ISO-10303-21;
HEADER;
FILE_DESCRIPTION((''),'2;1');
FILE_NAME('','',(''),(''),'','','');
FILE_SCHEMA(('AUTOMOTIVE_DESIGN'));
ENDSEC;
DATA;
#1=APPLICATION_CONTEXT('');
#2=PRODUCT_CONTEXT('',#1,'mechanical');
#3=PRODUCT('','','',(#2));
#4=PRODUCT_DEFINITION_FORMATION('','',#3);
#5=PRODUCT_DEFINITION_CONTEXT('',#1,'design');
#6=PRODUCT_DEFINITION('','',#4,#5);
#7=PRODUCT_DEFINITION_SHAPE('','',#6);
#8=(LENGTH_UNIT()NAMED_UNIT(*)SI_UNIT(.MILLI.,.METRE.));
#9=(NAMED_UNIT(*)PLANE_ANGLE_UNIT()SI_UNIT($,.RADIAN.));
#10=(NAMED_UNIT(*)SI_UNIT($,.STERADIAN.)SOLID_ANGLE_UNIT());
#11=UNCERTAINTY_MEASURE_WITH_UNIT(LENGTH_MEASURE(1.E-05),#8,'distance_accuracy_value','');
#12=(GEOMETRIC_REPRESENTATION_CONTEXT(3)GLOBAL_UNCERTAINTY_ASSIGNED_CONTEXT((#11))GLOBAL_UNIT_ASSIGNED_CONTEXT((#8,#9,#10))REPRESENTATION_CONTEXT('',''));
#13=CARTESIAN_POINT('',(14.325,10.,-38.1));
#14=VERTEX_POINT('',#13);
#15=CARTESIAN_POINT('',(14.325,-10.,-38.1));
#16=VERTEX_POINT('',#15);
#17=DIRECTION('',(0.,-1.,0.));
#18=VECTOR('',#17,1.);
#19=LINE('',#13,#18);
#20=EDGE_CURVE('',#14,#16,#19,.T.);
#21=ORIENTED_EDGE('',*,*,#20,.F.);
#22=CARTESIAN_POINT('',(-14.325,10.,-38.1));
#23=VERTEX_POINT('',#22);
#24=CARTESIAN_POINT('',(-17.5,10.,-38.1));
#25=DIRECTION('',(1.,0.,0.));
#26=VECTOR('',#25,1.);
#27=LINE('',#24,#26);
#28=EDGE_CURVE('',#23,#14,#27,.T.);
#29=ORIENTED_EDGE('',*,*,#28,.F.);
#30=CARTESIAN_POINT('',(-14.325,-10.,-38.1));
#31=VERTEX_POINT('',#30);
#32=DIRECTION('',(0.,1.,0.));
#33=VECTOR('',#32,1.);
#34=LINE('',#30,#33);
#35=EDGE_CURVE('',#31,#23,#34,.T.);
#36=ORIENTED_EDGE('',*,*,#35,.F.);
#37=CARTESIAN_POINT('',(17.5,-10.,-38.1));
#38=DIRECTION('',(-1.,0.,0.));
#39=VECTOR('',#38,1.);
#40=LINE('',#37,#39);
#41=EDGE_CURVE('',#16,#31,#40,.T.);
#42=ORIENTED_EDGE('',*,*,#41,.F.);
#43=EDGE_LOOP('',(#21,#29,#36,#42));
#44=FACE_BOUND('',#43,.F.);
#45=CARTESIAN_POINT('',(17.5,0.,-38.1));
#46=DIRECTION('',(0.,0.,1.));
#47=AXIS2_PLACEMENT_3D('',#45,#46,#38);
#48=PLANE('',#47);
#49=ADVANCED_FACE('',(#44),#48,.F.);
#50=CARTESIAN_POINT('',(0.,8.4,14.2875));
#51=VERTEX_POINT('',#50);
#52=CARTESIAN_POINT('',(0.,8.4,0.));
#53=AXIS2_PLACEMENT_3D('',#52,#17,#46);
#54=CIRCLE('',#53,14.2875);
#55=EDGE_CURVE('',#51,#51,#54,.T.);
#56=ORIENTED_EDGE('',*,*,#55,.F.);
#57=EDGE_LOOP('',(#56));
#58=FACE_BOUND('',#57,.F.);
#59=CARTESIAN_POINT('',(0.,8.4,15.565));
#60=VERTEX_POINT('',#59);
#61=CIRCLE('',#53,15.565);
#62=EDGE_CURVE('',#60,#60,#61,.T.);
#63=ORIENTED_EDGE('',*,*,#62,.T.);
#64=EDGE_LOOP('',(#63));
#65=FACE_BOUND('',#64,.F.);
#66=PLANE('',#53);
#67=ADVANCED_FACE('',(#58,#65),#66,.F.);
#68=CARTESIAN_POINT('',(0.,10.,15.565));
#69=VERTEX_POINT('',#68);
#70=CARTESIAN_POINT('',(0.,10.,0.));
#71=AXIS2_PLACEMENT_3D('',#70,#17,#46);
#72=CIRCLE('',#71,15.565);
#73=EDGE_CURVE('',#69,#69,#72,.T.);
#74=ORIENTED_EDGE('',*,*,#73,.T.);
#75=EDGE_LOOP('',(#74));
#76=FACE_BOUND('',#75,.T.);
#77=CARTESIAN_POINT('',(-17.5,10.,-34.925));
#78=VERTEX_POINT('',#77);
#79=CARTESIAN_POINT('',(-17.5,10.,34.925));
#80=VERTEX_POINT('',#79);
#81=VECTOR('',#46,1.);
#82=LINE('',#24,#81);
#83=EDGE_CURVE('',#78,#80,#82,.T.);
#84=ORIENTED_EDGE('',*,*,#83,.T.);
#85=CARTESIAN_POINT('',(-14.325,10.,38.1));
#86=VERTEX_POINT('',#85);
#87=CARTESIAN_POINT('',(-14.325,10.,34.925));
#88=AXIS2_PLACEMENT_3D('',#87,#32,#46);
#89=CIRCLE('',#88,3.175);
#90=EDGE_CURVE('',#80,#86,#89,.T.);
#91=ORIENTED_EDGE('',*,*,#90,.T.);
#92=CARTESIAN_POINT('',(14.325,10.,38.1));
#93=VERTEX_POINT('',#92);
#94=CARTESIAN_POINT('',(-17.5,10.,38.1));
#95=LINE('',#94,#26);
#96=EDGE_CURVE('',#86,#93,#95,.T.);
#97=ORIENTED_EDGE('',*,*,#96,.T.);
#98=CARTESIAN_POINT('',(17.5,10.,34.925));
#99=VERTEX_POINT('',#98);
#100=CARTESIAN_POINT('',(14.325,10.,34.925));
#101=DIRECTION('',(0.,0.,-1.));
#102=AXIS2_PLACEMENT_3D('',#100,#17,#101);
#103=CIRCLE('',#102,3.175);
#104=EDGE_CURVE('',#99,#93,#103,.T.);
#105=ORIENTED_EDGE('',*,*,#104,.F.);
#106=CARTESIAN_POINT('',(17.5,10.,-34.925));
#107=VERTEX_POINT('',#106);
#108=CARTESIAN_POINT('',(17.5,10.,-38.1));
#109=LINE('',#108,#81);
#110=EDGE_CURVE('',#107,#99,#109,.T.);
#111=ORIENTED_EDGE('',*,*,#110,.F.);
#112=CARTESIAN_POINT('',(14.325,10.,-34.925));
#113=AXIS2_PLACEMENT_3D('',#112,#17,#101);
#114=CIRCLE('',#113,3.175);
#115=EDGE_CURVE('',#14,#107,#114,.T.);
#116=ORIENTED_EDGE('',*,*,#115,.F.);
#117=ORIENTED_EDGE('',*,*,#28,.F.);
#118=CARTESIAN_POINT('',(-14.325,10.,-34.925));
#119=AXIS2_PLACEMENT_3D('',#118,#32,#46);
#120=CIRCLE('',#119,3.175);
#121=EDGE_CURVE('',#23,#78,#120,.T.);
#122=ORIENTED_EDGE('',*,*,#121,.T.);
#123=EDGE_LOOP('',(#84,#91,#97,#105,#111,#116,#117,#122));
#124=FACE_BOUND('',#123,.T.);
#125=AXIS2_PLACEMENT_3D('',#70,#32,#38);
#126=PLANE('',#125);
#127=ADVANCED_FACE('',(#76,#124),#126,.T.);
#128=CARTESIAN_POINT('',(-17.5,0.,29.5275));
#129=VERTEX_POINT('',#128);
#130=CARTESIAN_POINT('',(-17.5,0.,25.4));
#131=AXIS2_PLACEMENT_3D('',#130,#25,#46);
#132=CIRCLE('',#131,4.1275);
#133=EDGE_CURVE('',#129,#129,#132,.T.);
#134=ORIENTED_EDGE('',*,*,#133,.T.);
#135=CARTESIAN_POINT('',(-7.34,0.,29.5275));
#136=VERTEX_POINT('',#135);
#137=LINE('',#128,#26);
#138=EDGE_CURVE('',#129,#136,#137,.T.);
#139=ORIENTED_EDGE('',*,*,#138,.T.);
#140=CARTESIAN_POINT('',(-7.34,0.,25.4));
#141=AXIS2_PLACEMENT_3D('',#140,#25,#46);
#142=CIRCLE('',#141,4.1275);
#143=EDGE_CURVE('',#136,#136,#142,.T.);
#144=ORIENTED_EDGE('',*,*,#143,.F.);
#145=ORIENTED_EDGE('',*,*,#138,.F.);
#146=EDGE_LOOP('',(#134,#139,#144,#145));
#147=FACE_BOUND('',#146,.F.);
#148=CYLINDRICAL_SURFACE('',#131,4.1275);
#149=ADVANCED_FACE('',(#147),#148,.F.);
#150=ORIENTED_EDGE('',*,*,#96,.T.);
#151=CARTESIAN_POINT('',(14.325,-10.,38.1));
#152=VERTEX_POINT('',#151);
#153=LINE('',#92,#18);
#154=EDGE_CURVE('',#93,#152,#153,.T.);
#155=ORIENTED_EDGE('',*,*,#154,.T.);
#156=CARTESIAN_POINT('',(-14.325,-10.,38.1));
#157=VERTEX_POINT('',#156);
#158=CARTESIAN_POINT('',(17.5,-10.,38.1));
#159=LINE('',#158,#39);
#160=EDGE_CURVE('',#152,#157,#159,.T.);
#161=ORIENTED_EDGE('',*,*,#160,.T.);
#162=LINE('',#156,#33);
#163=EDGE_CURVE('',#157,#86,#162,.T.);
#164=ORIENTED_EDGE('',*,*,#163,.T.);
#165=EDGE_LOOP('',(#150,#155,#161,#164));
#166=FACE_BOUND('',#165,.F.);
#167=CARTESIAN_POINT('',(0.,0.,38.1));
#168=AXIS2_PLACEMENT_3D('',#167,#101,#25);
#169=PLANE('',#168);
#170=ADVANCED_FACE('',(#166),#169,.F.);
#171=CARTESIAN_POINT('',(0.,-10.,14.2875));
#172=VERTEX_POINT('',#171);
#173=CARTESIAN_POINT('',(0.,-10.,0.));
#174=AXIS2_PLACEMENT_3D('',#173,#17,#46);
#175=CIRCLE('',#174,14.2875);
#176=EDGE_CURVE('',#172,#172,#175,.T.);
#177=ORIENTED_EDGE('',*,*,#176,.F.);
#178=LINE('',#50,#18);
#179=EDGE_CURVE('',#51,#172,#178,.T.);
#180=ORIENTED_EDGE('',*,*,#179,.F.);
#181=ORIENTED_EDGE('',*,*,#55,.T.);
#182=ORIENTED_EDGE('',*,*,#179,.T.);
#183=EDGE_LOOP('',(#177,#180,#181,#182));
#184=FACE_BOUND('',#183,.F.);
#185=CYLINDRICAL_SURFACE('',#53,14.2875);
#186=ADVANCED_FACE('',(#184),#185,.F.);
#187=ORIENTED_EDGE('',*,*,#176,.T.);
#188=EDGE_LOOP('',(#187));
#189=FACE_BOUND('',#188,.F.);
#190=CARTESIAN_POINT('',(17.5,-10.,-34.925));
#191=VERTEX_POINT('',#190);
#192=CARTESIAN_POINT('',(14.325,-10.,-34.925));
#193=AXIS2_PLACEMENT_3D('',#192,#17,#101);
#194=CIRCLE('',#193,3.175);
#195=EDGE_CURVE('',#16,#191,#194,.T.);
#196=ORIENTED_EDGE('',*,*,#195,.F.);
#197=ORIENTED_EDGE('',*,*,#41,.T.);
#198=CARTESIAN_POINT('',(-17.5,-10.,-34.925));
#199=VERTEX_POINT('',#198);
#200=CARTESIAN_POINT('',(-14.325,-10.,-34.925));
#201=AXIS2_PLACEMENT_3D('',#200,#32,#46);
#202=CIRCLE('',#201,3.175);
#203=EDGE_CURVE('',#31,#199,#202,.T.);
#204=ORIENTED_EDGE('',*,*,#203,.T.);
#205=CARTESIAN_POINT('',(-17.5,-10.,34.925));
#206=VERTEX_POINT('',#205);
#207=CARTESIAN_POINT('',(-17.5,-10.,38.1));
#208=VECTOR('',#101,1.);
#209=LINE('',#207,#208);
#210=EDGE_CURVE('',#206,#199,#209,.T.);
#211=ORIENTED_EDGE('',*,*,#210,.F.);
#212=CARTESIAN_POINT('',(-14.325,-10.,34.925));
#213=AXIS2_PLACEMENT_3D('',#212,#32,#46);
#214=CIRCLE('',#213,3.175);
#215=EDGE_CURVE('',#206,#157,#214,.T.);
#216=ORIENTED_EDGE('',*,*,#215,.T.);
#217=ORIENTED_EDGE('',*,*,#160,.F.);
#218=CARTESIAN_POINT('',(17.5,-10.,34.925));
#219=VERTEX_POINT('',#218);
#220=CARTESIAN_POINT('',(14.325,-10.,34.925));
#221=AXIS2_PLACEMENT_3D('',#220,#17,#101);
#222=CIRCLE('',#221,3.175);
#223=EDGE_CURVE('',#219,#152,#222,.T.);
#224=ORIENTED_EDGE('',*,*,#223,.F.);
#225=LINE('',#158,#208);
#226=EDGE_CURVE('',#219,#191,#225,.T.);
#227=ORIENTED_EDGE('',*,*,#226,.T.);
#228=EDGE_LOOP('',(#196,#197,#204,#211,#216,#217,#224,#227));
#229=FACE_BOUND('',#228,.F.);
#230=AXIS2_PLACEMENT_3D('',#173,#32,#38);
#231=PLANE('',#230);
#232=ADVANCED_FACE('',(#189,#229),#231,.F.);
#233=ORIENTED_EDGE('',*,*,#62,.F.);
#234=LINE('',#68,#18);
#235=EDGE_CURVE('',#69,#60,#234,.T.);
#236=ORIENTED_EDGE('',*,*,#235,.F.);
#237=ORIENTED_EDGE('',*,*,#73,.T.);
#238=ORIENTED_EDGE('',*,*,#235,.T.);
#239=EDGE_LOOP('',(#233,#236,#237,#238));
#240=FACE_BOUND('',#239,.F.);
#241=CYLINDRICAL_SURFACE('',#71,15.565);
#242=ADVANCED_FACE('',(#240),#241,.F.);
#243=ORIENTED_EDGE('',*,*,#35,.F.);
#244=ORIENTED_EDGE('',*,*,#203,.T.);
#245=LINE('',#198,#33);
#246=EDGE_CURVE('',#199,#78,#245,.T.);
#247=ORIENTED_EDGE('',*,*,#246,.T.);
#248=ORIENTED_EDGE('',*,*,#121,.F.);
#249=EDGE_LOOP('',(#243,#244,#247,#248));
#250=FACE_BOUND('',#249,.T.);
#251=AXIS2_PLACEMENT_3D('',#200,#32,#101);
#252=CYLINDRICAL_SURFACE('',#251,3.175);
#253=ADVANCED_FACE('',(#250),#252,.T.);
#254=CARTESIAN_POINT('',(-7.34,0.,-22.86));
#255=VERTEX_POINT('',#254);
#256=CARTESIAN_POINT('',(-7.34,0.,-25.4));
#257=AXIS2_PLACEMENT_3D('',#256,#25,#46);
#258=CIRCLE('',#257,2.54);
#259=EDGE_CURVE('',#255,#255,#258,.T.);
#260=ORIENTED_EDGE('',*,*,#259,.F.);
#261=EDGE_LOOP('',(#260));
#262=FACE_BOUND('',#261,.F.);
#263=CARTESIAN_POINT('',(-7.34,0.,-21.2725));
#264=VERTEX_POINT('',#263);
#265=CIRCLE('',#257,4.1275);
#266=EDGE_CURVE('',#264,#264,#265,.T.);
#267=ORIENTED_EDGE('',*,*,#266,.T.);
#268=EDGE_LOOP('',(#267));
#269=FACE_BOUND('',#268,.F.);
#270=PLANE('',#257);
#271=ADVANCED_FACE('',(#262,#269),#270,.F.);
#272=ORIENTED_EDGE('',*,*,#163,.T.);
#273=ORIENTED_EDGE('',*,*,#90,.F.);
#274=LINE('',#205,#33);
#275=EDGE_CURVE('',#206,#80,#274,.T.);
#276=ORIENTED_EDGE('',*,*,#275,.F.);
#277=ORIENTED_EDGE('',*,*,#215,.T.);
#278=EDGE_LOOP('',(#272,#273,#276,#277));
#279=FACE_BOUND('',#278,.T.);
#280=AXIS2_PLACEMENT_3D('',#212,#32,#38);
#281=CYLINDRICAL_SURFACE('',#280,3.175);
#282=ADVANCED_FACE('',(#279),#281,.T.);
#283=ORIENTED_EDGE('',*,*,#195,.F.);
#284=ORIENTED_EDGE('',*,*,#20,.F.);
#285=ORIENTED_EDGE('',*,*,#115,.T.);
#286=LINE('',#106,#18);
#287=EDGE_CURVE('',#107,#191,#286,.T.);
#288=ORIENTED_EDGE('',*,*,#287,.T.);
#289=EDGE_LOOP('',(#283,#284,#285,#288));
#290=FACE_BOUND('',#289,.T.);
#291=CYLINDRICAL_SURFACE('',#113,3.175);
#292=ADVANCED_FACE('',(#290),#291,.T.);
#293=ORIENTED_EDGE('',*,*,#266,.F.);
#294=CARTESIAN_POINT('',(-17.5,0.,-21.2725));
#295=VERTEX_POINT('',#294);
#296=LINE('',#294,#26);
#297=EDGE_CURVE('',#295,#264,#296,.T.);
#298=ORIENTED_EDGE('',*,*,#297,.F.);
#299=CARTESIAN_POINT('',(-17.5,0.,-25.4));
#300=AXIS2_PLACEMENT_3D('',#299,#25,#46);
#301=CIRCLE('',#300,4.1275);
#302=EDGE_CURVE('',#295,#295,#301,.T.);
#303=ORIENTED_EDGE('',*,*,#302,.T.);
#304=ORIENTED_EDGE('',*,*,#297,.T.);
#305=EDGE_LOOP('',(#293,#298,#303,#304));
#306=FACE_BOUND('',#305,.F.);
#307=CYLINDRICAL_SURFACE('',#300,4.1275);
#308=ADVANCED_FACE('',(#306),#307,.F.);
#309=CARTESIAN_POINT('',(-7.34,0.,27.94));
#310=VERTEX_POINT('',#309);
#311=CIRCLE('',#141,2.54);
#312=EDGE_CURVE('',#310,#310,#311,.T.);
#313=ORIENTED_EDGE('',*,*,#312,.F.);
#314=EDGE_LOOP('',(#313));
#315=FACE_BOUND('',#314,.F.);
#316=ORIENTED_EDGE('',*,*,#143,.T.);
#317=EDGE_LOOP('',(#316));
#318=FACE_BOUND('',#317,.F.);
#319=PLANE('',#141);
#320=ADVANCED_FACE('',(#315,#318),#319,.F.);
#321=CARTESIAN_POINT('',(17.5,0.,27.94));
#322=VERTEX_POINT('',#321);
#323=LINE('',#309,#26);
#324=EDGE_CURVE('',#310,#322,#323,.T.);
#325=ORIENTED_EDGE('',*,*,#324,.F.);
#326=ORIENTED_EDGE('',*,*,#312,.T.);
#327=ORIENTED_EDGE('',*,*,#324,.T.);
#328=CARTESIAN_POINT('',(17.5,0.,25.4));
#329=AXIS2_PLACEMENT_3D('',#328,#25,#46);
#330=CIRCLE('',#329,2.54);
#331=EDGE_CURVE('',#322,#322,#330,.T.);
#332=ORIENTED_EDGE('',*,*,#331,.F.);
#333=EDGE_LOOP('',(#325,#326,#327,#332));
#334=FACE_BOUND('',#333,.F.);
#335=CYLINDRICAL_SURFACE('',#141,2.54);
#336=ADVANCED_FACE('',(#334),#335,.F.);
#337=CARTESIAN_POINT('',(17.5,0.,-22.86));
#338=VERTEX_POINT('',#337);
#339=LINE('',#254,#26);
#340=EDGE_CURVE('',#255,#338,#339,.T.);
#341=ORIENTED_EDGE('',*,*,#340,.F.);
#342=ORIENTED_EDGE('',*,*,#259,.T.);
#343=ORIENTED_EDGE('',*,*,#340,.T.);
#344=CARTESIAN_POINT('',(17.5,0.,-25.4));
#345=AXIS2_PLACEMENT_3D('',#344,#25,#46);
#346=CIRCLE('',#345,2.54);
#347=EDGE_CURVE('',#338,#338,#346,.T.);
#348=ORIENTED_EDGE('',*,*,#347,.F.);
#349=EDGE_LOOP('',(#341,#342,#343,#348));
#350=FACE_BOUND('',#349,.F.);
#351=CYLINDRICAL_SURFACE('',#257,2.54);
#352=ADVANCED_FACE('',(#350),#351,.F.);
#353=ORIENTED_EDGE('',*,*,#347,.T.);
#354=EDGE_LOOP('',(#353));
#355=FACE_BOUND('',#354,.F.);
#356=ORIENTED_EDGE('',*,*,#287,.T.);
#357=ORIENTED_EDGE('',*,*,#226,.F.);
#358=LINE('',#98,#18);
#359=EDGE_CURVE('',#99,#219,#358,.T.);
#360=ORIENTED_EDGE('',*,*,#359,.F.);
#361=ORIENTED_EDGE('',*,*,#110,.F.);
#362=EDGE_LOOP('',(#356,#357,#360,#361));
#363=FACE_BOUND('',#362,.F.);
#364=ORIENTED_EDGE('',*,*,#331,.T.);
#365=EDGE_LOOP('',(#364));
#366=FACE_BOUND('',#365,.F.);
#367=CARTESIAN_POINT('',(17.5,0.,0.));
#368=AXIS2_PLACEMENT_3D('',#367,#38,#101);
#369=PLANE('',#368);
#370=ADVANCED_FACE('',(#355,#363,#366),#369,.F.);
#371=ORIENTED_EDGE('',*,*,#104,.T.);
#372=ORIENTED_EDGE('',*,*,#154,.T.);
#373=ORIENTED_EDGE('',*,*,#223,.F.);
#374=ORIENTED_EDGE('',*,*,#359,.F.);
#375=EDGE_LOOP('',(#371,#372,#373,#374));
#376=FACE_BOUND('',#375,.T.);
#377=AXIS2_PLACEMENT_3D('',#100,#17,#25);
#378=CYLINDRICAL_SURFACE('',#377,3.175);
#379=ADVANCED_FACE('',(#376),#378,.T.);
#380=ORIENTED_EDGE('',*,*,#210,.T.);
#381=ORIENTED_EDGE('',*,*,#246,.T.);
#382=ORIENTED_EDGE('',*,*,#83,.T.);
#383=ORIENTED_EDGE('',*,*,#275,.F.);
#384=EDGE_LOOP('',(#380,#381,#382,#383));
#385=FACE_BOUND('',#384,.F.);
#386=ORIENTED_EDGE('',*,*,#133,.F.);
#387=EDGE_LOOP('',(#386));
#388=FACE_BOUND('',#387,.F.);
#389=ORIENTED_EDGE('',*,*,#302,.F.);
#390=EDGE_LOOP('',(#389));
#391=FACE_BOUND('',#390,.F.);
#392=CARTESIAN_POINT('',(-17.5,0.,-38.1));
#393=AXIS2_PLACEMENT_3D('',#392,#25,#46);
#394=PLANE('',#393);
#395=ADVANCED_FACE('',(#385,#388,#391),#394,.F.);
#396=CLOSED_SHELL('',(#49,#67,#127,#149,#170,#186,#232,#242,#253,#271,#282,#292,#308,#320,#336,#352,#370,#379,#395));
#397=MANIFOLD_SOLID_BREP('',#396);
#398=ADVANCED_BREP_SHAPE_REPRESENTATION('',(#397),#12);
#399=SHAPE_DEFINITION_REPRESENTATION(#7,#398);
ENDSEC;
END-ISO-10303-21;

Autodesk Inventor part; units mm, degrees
ref_plane "YZ Plane" through (0, 0, 0) normal (1, 0, 0) x (0, 1, 0)
ref_plane "XZ Plane" through (0, 0, 0) normal (0, 1, 0) x (-1, 0, 0)
ref_plane "XY Plane" through (0, 0, 0) normal (0, 0, 1) x (1, 0, 0)
sketch "Sketch1" plane through (0, 0, 0) normal (0, 1, 0) x (-1, 0, 0)
  line L0 (0, -53.34) -> (0, 53.34) projected
  line L1 (-24.5, 0) -> (24.5, 0) projected
  line L2 (24.5, 0) -> (-24.5, 0) projected
  line L3 (0, -53.34) -> (0, 53.34) projected
  line L4 (-17.5, 38.1) -> (-17.5, -38.1)
  line L5 (-17.5, -38.1) -> (17.5, -38.1)
  line L6 (17.5, -38.1) -> (17.5, 38.1)
  line L7 (17.5, 38.1) -> (-17.5, 38.1)
  line L8 (-17.5, -38.1) -> (17.5, 38.1) construction
  point P0 (0, 0)
  dimension "d1" = 76.2
  dimension "d2" = 35
extrude "Extrusion1" add sketch "Sketch1" along normal mid plane 20
sketch "Sketch2" plane through (0, 10, 0) normal (0, 1, 0) x (1, 0, 0)
  point P0 (0, 0)
  point P1 (0, 0)
hole "Hole1" at (0, 10, 0) direction (0, -1, 0) diameter 28.575 end through all counterbore diameter 31.13 counterbore depth 1.6
fillet "Fillet1" radius 3.175 4 edges at (17.5, 0, 38.1) (17.5, 0, -38.1) (-17.5, 0, 38.1) (-17.5, 0, -38.1)
sketch "Sketch3" plane through (-17.5, -10, -34.925) normal (-1, 0, 0) x (0, 0, 1)
  line L0 (0, 0) -> (0, 20) projected
  line L1 (69.85, 0) -> (0, 0) projected
  line L2 (69.85, 20) -> (69.85, 0) projected
  line L3 (0, 20) -> (69.85, 20) projected
  line L4 (0, 20) -> (0, 0) projected
  line L5 (0, 0) -> (69.85, 0)
  line L6 (69.85, 0) -> (69.85, 20)
  line L7 (69.85, 20) -> (0, 20)
  line L8 (0, 20) -> (0, 0)
  line L9 (19.36, 20) -> (50.49, 20) projected
  line L10 (34.925, 20) -> (34.925, 0)
  line L11 (0, 10) -> (69.85, 10)
  line L12 (69.85, 0) -> (69.85, 20) projected
  point P0 (34.925, 10)
  point P1 (9.525, 10)
  point P2 (60.325, 10)
  dimension "d19" = 25.4
  dimension "d20" = 25.4
hole "Hole2" at (-17.5, 0, -25.4) at (-17.5, 0, 25.4) direction (1, 0, 0) diameter 5.08 end through all counterbore diameter 8.255 counterbore depth 10.16
properties part number "BearingBlock30mm"
